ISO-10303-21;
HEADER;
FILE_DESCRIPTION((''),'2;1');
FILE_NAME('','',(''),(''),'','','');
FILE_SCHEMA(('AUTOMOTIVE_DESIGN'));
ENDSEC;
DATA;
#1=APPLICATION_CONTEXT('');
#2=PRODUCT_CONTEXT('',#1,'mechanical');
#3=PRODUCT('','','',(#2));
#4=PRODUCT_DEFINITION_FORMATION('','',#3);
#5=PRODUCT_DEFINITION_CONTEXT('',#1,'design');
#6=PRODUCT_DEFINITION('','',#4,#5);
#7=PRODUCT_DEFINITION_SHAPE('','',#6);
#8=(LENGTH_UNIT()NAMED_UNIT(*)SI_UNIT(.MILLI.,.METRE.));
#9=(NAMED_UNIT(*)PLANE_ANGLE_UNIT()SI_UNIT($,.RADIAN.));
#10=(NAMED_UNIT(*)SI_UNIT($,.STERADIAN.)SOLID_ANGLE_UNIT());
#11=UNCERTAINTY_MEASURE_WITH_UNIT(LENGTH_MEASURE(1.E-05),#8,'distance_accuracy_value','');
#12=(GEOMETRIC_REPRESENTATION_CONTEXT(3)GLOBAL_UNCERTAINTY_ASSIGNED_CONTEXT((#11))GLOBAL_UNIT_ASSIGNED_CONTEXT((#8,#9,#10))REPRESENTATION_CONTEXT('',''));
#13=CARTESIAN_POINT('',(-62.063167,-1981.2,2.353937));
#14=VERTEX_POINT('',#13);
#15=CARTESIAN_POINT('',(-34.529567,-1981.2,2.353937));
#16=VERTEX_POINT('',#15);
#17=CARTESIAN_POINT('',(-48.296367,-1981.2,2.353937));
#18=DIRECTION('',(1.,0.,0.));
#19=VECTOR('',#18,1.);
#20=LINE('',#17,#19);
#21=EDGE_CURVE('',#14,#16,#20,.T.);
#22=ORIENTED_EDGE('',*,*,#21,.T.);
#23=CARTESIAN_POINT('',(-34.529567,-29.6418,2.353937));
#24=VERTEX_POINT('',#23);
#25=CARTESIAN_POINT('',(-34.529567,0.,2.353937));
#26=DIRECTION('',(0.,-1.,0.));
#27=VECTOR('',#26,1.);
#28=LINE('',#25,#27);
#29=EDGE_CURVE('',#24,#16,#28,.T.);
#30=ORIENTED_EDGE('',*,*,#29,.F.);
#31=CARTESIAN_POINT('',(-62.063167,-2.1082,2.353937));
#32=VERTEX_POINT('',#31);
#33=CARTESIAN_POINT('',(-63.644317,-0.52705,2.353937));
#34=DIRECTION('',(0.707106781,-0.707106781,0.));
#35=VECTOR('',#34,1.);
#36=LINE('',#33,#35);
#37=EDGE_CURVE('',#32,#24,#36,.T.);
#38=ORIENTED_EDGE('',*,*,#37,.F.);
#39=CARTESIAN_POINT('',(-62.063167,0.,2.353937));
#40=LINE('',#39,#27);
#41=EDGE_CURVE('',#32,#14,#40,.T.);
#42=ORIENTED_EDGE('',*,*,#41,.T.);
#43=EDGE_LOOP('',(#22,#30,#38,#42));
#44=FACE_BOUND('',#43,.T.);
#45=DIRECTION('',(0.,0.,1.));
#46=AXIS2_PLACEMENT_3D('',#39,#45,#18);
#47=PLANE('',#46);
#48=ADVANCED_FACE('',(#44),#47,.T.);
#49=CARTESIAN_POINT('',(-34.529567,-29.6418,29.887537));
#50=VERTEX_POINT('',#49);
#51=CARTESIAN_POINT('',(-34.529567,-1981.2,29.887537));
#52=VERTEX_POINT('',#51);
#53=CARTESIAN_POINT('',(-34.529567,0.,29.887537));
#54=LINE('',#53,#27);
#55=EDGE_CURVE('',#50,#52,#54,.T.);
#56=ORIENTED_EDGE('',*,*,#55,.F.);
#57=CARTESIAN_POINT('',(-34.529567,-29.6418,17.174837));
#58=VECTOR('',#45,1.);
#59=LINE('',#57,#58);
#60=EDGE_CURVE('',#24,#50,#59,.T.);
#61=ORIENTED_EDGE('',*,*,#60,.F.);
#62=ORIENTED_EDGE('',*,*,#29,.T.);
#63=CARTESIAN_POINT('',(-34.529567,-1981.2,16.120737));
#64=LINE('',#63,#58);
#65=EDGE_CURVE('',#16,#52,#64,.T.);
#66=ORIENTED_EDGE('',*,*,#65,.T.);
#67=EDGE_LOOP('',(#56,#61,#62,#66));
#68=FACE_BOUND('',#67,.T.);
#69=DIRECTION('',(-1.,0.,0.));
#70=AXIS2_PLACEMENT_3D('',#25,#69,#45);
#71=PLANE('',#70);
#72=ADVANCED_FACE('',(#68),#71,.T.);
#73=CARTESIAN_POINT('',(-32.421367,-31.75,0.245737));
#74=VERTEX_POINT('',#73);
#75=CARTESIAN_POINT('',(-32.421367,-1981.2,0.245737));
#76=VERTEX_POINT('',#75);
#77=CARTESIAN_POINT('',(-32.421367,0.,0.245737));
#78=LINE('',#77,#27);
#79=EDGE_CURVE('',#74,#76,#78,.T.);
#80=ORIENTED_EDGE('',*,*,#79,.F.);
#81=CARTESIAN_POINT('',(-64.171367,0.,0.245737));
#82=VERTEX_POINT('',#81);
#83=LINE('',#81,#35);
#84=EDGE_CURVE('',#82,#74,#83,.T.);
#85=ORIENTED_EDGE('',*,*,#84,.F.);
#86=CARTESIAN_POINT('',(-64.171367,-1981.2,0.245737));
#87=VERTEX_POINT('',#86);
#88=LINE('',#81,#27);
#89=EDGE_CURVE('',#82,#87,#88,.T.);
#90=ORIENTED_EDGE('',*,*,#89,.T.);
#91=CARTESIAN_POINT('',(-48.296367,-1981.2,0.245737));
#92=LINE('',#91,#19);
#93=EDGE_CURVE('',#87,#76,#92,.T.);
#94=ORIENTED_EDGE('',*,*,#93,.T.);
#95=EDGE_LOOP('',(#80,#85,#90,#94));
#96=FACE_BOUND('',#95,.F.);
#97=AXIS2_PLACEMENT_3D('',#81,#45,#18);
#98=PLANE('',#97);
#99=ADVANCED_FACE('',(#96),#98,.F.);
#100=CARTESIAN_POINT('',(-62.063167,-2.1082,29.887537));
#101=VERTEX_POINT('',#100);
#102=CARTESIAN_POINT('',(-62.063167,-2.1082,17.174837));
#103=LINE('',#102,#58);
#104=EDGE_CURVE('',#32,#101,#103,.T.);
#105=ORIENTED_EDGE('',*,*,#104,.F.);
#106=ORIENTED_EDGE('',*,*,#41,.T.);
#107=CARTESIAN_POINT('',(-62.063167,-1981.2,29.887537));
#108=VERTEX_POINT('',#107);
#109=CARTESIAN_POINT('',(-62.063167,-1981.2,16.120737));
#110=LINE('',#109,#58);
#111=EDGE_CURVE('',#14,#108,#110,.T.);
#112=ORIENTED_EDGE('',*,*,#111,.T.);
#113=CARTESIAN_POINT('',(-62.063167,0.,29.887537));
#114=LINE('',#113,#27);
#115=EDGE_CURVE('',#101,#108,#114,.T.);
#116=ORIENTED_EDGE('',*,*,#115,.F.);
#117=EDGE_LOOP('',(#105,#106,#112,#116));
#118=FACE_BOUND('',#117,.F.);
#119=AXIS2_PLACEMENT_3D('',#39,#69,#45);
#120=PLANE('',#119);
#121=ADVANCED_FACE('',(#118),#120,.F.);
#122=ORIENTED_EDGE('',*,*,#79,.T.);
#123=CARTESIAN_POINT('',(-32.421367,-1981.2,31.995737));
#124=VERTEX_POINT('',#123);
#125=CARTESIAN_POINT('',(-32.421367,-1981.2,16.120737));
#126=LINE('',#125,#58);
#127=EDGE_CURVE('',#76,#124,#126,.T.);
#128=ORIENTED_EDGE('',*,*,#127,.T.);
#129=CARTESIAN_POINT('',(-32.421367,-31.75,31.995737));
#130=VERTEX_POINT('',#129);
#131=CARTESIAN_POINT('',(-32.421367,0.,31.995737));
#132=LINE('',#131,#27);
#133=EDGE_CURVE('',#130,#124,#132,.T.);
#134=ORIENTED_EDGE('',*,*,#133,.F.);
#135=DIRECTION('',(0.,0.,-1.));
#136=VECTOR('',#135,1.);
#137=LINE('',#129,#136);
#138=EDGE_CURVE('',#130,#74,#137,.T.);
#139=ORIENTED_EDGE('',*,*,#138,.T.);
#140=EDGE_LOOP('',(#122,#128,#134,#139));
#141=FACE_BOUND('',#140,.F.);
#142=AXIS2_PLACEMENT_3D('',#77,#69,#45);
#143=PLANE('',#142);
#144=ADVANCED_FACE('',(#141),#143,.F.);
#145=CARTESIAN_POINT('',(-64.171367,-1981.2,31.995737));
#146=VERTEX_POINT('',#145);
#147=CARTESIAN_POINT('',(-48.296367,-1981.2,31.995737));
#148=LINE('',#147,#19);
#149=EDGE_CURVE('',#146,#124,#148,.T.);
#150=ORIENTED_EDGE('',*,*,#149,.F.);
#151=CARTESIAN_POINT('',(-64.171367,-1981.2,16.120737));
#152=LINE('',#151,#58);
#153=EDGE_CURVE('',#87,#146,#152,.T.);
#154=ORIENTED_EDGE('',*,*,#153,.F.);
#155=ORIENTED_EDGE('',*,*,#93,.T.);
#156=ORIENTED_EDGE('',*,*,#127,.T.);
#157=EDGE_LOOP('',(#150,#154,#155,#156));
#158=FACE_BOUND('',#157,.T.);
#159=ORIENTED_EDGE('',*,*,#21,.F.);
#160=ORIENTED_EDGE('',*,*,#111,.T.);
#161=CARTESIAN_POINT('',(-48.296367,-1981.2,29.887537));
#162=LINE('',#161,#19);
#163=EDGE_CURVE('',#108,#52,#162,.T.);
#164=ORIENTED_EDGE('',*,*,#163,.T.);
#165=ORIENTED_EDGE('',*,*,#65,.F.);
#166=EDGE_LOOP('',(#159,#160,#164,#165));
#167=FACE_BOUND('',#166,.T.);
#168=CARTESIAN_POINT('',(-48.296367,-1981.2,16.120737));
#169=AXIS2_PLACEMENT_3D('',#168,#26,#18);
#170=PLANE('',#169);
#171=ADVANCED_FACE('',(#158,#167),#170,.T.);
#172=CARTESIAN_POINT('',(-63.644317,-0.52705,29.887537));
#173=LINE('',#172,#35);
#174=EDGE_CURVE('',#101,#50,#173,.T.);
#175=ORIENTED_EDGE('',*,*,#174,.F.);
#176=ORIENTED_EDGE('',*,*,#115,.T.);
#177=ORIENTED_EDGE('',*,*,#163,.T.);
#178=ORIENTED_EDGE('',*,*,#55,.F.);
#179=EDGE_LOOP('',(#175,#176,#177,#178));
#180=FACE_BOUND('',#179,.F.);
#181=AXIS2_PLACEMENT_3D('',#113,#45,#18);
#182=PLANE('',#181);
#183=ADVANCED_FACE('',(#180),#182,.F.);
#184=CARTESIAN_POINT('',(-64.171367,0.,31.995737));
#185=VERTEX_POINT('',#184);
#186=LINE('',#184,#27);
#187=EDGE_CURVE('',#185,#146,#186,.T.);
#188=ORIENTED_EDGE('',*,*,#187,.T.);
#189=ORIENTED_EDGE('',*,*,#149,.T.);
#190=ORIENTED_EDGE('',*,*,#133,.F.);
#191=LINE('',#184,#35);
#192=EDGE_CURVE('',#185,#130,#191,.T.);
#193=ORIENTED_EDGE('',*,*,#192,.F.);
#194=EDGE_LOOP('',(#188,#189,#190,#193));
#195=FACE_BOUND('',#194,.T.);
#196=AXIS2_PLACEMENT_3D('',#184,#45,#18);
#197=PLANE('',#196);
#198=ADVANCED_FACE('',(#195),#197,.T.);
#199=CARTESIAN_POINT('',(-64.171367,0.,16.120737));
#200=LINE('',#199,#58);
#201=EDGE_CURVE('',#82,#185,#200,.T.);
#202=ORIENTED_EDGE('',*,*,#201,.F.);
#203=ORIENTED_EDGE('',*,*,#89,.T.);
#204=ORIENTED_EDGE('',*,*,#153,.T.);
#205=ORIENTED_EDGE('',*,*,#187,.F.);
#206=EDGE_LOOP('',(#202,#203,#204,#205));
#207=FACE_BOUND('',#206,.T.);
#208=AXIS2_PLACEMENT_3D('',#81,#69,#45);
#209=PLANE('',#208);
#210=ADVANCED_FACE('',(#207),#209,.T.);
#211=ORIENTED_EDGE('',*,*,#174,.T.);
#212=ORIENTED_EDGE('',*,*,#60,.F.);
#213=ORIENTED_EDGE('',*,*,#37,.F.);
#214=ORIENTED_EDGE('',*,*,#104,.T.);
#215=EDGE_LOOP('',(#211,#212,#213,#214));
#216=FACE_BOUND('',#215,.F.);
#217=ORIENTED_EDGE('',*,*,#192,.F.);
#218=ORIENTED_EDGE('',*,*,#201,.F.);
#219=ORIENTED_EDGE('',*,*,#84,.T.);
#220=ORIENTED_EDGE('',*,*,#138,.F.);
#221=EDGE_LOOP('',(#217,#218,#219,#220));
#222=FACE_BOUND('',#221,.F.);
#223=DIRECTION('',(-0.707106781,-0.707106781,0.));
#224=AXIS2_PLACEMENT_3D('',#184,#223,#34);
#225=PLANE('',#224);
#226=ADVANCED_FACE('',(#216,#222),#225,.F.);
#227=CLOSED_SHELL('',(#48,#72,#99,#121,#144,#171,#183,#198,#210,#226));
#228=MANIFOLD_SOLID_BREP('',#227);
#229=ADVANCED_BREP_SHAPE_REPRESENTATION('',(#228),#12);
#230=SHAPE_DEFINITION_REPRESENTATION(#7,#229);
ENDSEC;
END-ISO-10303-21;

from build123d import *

# Parameters (mm, degrees)
F0_W     = 31.75
F0_H     = 31.75
F0_W_2   = 27.5336
F0_H_2   = 27.5336
F1_DEPTH = 1981.2
F3_DEPTH = 76.2


with BuildPart() as f1:
    # F0 (on Front) → F1 (new body)
    with BuildSketch(Plane.XZ):
        with Locations((-48.296367, 16.120737)):
            Rectangle(F0_W, F0_H)
        with Locations((-48.296367, 16.120737)):
            Rectangle(F0_W_2, F0_H_2, mode=Mode.SUBTRACT)
    extrude(amount=F1_DEPTH)

    # F2 (on face) → F3 (cut)
    with BuildSketch(Plane.XY.offset(31.995737)):
        Polygon((-32.421367, 0), (-64.171367, 0), (-32.421367, -31.75), align=None)
    extrude(amount=-F3_DEPTH, mode=Mode.SUBTRACT)


solid = f1.part
